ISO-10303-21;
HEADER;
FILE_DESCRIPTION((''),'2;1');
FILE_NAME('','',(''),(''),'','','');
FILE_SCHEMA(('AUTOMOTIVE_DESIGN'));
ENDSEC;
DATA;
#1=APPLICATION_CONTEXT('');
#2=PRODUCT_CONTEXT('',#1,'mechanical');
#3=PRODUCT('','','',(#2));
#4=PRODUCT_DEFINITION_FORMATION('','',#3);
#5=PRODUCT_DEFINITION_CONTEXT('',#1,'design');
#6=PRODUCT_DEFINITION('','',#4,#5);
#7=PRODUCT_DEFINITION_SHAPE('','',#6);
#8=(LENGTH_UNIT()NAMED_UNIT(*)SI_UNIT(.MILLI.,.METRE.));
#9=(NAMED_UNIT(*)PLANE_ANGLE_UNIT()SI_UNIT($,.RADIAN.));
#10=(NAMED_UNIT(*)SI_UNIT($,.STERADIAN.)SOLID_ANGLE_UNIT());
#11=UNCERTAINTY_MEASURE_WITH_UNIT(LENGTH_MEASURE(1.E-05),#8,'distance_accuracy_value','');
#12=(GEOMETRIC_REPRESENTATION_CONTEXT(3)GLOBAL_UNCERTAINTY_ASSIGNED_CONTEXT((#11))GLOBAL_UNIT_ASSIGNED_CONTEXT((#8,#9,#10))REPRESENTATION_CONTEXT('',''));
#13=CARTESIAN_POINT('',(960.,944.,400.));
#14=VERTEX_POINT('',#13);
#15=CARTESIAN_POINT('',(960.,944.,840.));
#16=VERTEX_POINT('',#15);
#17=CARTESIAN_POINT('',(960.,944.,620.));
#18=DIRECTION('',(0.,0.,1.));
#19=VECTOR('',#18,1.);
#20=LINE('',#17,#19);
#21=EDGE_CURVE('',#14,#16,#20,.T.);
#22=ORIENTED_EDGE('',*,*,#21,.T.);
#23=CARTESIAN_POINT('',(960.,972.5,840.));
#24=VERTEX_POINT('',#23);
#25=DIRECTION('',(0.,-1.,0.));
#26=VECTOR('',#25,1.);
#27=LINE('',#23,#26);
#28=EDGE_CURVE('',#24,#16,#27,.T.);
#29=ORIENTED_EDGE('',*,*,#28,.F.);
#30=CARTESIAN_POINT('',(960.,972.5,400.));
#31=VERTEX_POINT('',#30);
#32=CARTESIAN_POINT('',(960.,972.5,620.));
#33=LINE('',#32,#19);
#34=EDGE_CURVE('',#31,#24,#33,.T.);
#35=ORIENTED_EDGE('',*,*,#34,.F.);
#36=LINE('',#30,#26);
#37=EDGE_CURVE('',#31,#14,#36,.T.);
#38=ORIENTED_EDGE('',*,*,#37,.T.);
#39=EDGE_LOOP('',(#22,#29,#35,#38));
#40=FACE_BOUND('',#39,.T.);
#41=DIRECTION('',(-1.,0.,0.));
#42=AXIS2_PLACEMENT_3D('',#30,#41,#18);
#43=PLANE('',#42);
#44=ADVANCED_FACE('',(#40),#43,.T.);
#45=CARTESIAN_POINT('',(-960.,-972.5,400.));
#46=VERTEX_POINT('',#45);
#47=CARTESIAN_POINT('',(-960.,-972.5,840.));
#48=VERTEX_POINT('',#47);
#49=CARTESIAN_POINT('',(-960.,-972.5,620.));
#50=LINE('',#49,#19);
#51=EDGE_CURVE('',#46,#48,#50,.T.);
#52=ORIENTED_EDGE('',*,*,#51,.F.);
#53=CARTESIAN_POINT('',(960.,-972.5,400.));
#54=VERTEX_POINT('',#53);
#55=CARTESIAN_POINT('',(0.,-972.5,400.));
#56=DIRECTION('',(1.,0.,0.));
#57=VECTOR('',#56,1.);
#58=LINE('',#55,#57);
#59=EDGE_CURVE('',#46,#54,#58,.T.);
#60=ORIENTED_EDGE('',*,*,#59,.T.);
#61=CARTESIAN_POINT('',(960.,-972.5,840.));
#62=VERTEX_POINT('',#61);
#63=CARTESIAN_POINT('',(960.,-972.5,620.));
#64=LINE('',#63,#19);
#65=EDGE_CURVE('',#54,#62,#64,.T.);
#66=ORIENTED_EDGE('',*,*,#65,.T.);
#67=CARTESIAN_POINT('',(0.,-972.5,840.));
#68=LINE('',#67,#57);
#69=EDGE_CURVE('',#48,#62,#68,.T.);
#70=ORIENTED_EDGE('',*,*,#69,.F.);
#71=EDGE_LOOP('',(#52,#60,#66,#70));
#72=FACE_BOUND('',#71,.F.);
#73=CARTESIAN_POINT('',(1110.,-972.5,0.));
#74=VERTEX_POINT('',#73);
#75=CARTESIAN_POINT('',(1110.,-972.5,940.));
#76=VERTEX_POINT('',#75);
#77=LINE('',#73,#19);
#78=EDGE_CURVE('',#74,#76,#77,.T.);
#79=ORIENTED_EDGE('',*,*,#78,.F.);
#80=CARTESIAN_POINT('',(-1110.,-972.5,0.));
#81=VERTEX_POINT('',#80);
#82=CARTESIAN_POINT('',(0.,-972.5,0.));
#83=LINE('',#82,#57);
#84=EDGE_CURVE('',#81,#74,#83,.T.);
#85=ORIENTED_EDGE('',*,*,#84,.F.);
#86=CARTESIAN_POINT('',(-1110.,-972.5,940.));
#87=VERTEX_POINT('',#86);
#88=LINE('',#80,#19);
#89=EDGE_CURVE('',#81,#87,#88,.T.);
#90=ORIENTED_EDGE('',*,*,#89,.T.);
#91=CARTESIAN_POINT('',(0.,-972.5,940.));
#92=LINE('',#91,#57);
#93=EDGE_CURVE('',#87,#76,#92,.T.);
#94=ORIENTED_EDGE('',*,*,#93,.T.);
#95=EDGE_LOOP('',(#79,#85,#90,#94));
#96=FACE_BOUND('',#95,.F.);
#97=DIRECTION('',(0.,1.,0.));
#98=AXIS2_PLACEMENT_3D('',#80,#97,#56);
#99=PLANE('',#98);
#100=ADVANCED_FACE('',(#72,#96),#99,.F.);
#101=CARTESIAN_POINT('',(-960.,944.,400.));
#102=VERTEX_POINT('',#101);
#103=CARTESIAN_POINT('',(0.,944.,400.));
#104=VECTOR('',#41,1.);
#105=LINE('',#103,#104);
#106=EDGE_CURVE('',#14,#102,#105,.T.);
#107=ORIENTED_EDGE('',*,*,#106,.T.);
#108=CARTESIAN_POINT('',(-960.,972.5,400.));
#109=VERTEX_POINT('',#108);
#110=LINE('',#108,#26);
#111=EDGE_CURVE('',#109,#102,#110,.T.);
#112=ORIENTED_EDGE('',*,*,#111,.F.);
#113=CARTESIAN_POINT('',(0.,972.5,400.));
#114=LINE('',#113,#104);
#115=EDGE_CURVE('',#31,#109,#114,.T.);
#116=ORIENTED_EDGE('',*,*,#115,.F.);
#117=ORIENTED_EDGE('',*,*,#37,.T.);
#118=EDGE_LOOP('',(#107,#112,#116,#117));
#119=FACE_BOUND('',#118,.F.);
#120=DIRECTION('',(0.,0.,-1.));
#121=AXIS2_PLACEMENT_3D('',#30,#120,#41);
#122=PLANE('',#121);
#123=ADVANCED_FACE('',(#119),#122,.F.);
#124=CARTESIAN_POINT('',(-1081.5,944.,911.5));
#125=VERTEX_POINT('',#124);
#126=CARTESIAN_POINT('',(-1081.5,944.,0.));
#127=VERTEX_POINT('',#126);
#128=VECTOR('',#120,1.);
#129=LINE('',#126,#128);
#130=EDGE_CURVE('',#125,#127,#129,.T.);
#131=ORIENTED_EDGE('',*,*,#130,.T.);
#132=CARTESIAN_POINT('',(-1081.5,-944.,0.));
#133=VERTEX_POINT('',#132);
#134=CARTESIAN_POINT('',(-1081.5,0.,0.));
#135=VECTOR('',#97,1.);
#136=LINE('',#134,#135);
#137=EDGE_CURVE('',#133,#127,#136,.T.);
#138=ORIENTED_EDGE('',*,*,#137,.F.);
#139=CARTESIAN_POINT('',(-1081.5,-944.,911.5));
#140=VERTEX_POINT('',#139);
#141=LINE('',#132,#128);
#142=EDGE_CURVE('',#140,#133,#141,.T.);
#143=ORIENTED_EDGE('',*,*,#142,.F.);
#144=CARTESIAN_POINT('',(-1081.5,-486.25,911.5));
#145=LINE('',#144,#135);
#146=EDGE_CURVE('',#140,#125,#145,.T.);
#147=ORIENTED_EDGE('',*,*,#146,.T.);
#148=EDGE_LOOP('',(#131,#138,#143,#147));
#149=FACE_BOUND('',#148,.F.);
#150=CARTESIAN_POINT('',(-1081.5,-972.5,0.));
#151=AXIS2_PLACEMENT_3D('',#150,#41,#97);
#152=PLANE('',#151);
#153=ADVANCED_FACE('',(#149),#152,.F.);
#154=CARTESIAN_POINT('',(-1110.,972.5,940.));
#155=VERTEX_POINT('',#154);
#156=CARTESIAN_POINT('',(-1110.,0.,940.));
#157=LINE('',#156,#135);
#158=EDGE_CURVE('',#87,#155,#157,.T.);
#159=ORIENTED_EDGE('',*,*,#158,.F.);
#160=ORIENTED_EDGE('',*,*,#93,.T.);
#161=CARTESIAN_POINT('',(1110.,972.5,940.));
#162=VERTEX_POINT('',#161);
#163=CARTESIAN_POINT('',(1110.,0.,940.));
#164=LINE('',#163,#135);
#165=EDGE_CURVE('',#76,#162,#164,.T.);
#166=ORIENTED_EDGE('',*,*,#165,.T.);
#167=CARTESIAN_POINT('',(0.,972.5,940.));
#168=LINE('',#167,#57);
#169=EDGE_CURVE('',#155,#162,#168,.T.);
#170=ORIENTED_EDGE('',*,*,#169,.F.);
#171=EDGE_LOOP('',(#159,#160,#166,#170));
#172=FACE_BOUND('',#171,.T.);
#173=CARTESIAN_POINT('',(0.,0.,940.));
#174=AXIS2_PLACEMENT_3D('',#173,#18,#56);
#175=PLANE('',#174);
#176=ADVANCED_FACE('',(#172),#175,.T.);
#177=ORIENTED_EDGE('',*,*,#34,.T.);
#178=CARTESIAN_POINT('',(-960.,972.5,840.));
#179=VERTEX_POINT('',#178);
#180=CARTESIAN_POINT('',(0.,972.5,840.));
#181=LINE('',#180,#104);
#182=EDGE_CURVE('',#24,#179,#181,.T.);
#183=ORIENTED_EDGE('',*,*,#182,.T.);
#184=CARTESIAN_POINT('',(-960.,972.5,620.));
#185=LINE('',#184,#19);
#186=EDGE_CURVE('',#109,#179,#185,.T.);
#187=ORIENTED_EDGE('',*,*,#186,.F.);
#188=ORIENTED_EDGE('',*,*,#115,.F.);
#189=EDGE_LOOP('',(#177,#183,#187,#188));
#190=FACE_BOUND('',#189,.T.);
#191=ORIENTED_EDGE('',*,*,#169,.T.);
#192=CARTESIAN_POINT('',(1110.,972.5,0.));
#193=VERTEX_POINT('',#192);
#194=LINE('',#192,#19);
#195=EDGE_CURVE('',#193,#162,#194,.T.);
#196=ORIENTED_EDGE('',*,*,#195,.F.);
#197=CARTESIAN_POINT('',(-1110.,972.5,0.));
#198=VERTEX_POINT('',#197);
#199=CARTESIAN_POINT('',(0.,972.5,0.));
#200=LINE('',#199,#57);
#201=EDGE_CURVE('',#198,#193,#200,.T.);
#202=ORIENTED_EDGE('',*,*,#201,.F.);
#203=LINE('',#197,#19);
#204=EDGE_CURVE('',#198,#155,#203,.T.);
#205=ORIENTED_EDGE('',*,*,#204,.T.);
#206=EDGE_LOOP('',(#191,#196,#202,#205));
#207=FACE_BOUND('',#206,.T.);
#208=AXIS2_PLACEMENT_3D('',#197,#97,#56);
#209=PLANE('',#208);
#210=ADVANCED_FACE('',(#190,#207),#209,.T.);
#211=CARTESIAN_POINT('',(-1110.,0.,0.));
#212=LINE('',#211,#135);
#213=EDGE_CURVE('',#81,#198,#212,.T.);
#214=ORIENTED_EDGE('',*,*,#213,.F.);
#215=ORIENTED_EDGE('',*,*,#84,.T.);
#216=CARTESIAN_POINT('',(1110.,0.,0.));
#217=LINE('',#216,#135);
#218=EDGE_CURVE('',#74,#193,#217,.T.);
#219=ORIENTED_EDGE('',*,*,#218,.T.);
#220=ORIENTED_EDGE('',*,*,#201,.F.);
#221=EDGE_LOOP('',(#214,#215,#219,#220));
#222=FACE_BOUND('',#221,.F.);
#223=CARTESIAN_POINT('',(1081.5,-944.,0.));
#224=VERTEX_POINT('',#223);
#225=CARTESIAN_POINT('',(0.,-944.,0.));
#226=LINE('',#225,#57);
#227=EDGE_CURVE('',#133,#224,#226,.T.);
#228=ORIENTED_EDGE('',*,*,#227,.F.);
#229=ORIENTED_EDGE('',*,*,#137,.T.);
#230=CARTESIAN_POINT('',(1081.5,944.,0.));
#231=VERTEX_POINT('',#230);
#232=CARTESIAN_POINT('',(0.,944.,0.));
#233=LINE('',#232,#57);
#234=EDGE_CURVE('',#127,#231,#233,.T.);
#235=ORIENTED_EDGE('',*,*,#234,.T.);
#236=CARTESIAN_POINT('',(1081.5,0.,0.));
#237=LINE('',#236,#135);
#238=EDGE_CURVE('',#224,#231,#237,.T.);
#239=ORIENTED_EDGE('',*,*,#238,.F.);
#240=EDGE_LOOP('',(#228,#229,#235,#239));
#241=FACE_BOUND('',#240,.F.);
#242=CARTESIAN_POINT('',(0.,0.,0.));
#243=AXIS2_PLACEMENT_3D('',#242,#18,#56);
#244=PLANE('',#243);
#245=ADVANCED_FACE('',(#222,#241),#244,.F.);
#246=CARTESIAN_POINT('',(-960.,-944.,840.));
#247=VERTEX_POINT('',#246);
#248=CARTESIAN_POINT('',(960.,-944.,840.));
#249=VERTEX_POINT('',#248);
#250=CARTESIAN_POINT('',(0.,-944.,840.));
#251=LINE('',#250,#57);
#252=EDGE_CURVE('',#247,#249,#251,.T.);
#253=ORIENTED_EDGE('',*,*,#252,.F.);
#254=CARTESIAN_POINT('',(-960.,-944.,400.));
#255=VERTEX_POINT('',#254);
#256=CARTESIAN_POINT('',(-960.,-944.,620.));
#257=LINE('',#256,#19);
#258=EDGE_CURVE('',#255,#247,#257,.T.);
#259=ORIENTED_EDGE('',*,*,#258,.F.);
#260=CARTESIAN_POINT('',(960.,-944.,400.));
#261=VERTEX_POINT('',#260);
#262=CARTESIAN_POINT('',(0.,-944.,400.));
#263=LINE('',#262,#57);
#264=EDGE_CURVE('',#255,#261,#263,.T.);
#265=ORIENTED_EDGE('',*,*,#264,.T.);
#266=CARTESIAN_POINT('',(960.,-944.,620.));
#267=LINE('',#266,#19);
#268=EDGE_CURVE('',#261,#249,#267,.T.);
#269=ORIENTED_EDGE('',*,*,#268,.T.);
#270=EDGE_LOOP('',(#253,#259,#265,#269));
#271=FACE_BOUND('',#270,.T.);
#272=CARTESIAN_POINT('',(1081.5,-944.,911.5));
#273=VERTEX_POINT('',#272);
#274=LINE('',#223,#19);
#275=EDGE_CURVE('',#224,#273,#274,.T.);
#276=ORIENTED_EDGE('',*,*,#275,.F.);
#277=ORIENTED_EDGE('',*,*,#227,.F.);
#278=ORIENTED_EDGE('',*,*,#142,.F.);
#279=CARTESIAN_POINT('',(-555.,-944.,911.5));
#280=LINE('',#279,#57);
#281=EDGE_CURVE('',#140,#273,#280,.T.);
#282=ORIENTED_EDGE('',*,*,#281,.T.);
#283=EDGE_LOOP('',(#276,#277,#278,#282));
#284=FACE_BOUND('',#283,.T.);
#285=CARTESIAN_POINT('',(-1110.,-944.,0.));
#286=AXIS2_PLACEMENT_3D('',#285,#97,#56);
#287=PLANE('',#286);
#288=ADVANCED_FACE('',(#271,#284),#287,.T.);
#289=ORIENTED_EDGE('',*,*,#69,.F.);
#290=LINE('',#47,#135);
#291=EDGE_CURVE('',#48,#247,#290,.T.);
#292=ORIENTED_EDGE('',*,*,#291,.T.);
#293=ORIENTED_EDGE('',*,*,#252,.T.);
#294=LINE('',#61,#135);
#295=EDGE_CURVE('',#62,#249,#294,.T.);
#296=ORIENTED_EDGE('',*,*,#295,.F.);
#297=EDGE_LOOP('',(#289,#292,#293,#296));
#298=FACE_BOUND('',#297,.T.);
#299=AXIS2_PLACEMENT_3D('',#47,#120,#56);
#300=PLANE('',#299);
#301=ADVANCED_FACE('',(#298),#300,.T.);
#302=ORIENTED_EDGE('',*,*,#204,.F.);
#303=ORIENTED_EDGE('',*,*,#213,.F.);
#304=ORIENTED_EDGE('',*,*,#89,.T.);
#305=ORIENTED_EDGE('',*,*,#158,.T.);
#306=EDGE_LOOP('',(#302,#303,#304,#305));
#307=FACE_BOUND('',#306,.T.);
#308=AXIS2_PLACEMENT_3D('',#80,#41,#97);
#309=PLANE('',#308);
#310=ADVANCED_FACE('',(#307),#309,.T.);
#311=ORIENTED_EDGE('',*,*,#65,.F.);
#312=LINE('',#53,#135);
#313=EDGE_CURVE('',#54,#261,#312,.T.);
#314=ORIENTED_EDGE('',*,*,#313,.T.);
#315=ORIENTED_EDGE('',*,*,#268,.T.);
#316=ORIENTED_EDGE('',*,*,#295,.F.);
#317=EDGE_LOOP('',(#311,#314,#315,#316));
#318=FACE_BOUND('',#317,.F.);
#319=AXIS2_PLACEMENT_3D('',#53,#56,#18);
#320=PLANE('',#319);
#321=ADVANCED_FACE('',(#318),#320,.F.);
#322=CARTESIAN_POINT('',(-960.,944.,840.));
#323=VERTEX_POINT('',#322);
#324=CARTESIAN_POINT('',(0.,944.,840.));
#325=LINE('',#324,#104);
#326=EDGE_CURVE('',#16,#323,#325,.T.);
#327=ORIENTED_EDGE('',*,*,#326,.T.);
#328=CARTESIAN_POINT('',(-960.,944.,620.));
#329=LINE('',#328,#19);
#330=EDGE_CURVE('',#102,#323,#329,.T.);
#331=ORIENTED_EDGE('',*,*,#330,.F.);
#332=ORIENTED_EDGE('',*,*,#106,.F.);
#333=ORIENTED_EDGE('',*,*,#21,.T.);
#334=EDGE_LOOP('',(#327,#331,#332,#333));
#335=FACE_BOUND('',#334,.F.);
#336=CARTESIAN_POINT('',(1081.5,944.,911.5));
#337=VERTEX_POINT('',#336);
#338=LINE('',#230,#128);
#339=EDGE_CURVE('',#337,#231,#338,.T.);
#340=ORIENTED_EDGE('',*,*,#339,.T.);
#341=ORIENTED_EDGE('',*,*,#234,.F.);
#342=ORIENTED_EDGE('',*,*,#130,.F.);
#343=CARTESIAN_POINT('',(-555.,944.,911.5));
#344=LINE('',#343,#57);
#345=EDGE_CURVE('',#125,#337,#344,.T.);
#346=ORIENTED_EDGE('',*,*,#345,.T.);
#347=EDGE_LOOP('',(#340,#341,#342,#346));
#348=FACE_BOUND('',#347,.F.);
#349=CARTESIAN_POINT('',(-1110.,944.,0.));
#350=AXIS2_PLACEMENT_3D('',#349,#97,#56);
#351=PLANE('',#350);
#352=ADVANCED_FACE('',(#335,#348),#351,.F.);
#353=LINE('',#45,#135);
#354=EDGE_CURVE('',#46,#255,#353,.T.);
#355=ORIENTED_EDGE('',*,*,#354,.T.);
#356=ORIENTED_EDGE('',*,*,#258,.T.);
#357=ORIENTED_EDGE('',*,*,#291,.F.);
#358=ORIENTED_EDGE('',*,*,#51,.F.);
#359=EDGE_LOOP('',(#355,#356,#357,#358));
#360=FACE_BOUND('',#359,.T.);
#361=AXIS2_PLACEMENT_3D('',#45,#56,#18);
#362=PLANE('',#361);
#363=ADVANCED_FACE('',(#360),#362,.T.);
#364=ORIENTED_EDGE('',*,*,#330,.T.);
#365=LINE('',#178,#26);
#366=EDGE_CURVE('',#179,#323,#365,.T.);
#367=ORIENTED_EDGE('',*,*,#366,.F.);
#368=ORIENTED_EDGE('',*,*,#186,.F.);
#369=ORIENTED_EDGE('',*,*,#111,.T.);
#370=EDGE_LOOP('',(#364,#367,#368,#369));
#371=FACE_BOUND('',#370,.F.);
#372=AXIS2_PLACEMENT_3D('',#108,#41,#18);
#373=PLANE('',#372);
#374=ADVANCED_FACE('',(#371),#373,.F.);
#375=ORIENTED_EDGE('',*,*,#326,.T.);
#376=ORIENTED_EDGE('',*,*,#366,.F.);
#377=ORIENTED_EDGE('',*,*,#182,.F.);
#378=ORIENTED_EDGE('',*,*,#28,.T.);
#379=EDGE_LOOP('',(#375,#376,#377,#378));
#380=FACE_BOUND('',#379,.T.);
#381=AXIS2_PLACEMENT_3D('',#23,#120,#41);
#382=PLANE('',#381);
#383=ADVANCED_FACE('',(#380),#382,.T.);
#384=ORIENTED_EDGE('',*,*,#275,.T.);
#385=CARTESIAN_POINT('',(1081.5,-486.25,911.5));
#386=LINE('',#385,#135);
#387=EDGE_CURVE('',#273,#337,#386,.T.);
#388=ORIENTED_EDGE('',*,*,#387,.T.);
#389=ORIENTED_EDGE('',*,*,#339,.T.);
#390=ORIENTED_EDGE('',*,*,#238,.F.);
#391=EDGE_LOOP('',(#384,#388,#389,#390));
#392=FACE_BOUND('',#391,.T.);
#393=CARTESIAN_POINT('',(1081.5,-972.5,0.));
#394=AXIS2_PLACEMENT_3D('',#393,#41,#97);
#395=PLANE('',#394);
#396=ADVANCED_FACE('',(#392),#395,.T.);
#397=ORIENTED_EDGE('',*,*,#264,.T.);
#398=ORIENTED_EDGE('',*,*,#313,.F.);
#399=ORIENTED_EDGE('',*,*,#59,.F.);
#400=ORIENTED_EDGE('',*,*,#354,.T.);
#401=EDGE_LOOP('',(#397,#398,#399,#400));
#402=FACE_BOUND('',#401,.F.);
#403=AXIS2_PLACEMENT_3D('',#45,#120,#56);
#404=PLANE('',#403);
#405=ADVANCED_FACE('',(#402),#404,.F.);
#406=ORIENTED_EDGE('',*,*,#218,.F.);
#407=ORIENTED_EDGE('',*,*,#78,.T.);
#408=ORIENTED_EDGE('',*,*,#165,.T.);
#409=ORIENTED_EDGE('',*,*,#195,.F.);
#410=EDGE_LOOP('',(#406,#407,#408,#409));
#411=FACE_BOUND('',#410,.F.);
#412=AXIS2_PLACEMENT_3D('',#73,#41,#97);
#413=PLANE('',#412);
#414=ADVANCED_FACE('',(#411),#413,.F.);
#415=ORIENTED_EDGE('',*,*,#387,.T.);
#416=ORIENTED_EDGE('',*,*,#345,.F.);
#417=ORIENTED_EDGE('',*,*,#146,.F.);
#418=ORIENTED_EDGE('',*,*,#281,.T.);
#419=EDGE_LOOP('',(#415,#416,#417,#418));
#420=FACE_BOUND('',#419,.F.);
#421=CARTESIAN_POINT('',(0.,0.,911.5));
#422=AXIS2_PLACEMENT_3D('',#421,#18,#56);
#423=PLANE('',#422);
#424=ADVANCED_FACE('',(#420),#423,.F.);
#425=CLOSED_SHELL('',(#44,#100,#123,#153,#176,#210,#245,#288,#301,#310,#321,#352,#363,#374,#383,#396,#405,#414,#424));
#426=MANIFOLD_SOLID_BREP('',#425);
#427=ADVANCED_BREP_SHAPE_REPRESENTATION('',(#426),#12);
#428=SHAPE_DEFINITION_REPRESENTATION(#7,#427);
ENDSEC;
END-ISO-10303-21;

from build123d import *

# Parameters (mm, degrees)
F0_W     = 2220
F0_H     = 1945
F1_DEPTH = 940
F2_T     = -28.5
F3_W     = 1920
F3_H     = 440
F4_DEPTH = 28.5
F5_W     = 1920
F5_H     = 440
F6_DEPTH = 28.5


with BuildPart() as f1:
    # F0 (on Top) → F1 (new body)
    with BuildSketch(Plane.XY):
        Rectangle(F0_W, F0_H)
    extrude(amount=F1_DEPTH)

    # F2
    f2_openings = [f1.faces().sort_by_distance(p)[0] for p in [
        (0, 0, 0),
    ]]
    offset(amount=F2_T, openings=f2_openings)

    # F3 (on face) → F4 (cut, through all)
    with BuildSketch(Plane.XZ.offset(972.5)):
        with Locations((0, 620)):
            Rectangle(F3_W, F3_H)
    extrude(amount=-F4_DEPTH, mode=Mode.SUBTRACT)

    # F5 (on face) → F6 (cut, through all)
    with BuildSketch(Plane(origin=(0, 972.5, 0), x_dir=(-1, 0, 0), z_dir=(0, 1, 0))):
        with Locations((0, 620)):
            Rectangle(F5_W, F5_H)
    extrude(amount=-F6_DEPTH, mode=Mode.SUBTRACT)


solid = f1.part
